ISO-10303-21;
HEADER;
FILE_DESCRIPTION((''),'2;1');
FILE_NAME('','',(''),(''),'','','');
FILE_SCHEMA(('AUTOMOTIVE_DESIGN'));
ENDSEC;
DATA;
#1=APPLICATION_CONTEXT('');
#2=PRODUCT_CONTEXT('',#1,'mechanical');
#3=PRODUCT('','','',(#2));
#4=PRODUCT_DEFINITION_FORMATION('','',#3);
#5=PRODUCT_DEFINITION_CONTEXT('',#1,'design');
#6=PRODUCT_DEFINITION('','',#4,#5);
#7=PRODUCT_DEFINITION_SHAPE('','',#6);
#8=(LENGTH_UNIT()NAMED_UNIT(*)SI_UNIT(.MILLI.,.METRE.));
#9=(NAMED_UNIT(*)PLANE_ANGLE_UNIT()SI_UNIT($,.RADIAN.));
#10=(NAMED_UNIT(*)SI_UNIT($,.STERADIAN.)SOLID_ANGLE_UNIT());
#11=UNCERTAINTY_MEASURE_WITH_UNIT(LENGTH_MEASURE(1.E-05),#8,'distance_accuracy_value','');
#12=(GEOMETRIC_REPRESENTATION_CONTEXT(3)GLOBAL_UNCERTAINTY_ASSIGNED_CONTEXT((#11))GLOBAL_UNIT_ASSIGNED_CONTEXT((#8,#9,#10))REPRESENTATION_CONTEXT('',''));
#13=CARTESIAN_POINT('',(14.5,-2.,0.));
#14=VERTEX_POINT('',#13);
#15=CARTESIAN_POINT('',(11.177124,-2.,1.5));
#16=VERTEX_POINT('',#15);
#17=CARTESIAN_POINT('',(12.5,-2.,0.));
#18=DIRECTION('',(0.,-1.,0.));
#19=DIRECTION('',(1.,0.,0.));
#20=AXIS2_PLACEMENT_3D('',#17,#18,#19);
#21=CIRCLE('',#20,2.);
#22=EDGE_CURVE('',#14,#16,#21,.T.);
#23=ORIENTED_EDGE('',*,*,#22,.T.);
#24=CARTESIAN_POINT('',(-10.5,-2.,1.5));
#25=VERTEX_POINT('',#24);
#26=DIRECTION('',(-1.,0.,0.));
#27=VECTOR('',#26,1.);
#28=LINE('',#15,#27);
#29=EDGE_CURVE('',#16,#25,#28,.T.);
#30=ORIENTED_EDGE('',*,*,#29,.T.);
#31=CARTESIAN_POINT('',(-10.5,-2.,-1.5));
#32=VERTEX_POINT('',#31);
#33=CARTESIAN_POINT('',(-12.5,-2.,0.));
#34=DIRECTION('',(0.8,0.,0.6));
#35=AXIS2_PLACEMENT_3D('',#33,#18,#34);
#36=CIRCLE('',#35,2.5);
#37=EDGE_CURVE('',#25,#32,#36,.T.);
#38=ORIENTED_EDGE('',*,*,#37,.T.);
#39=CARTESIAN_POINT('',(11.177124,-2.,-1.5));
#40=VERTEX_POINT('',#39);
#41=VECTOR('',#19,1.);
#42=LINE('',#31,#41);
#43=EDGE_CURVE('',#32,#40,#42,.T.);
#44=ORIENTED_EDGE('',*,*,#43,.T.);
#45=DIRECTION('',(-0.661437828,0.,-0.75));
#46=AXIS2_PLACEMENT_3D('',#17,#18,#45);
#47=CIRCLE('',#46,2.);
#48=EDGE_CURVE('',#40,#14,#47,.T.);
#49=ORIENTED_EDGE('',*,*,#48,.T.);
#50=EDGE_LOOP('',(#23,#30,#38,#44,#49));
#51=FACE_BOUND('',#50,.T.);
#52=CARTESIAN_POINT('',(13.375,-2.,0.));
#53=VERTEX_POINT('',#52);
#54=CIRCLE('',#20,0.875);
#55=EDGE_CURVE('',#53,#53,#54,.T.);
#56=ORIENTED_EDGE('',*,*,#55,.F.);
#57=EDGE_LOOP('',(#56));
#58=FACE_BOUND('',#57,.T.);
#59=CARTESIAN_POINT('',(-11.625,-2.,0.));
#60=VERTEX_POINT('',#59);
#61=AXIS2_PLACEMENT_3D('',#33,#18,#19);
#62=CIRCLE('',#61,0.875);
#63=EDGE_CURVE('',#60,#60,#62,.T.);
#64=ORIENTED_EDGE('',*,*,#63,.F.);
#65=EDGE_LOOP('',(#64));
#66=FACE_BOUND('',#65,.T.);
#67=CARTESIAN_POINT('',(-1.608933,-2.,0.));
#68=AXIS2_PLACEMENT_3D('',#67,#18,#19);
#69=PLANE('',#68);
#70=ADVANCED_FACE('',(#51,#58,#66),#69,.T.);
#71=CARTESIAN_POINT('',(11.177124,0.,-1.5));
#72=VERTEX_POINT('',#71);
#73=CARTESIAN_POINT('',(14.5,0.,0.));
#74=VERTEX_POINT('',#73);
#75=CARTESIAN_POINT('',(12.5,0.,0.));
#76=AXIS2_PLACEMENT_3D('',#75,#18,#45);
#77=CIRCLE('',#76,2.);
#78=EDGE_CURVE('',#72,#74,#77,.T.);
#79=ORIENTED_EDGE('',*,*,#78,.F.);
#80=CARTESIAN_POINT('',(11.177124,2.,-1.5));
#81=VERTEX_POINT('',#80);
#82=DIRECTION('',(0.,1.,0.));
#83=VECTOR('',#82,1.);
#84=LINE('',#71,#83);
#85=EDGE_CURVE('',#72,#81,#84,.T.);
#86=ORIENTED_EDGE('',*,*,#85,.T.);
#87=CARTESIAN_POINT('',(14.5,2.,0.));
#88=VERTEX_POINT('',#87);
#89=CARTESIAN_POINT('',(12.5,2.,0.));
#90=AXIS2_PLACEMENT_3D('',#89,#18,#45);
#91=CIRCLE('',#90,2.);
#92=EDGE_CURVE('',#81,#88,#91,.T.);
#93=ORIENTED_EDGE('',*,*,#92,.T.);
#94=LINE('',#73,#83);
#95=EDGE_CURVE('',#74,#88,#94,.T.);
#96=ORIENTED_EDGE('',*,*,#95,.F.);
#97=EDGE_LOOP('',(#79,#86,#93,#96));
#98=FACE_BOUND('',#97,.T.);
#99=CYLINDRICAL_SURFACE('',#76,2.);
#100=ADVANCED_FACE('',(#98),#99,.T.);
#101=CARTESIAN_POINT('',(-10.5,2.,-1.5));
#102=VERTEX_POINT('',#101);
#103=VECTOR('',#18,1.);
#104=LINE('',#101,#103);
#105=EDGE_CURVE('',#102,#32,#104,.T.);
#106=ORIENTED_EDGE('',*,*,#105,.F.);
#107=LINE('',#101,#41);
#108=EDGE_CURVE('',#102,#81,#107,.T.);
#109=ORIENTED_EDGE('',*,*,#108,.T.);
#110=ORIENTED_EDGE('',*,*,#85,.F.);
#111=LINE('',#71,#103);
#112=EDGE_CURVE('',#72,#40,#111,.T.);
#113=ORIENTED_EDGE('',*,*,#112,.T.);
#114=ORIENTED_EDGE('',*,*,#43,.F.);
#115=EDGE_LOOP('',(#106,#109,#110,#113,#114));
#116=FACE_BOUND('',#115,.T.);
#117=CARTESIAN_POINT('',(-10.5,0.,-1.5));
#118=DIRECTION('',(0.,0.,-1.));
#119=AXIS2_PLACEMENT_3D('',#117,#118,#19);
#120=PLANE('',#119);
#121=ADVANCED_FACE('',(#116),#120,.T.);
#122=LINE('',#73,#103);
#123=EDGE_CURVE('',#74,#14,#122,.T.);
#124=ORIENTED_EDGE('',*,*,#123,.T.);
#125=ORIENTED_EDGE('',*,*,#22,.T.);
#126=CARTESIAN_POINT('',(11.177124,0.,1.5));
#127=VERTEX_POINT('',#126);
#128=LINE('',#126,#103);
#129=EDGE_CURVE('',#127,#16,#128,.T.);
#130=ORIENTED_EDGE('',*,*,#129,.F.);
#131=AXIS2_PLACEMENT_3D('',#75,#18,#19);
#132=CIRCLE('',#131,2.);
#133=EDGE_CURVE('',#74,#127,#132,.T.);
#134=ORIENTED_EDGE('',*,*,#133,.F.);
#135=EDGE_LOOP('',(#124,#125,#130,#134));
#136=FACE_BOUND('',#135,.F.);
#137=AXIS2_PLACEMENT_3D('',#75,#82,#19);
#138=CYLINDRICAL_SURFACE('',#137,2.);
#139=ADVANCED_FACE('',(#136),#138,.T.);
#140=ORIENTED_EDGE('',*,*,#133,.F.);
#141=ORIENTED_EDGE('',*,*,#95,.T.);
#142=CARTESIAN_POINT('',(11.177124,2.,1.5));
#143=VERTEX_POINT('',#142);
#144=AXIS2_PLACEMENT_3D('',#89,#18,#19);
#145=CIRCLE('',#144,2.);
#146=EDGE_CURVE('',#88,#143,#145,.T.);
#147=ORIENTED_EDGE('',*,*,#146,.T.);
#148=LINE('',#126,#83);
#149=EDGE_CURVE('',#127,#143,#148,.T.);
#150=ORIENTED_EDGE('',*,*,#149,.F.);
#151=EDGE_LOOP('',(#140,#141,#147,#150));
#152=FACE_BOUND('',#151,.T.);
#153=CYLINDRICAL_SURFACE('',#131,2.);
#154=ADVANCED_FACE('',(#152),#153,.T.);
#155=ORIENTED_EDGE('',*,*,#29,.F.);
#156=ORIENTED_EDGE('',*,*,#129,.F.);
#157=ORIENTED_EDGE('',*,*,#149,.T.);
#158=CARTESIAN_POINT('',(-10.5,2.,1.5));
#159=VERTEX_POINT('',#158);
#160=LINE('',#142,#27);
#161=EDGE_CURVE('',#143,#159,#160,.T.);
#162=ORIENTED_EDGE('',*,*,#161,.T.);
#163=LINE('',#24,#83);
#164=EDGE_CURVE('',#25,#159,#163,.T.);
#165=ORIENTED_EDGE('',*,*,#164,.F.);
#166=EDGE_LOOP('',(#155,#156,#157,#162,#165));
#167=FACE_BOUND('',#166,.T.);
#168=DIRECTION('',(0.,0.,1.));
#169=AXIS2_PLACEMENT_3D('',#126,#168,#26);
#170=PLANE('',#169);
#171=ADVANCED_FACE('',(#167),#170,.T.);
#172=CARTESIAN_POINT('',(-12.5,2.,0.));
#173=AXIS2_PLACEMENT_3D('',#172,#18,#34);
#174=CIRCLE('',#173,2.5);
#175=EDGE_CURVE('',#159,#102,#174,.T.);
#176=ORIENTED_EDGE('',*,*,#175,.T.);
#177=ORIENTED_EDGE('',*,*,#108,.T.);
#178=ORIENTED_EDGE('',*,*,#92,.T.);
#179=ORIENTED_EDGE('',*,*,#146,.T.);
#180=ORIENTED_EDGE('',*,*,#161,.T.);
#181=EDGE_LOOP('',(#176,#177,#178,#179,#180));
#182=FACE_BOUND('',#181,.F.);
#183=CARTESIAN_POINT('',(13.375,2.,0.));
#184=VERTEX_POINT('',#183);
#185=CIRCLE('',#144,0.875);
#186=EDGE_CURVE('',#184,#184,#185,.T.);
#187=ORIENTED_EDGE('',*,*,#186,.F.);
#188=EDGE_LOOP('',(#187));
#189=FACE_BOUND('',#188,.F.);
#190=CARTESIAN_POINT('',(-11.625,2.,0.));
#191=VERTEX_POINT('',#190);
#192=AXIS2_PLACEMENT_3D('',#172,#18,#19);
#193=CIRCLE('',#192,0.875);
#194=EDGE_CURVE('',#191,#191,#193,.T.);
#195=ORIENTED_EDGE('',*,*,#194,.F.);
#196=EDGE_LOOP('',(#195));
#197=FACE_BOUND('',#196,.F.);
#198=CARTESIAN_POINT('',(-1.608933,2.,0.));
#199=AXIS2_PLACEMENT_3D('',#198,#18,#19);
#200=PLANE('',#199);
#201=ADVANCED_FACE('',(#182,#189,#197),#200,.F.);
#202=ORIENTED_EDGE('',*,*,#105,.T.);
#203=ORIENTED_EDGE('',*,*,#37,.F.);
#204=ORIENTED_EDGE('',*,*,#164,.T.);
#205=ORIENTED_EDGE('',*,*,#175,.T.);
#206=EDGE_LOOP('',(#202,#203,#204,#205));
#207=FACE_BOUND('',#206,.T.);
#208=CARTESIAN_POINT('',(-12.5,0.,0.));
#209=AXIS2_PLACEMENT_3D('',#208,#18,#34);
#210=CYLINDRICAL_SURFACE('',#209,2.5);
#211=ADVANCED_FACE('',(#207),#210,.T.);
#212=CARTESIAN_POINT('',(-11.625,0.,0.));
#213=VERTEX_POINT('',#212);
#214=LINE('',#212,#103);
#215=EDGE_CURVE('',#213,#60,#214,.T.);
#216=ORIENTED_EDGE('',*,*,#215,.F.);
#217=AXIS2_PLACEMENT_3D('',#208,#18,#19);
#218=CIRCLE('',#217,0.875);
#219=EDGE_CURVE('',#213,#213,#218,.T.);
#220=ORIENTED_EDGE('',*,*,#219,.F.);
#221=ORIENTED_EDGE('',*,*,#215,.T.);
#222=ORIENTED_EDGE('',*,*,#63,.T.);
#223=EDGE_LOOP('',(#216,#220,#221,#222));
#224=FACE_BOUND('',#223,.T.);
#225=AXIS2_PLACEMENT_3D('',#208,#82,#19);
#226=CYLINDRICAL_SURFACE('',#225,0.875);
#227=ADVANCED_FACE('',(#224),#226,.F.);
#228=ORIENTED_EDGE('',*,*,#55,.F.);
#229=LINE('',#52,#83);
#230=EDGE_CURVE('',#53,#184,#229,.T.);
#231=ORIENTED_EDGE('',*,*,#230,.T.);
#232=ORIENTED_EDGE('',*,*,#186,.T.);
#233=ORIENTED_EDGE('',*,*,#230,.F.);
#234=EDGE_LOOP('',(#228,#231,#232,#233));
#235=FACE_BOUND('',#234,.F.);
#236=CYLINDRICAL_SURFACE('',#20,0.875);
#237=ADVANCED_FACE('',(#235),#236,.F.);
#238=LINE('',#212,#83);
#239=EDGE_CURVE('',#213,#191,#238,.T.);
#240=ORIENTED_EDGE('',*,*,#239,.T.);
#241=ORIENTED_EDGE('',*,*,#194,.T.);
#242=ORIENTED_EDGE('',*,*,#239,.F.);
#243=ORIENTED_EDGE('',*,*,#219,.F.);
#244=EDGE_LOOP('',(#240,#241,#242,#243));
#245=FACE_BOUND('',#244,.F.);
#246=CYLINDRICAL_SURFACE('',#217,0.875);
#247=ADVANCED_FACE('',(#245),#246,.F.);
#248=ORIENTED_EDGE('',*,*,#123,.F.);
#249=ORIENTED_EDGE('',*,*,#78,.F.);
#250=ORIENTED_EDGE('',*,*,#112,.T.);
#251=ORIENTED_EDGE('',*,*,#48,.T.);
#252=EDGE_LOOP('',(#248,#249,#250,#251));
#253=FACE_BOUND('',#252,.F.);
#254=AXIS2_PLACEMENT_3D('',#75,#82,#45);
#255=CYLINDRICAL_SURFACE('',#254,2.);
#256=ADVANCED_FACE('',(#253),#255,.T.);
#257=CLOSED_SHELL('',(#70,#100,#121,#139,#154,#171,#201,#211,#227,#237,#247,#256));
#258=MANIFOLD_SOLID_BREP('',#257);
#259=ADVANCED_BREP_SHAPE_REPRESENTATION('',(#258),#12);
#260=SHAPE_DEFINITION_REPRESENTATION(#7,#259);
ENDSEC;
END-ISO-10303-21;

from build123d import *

# Parameters (mm, degrees)
F0_R     = 0.875
F1_DEPTH = 2
F2_R     = 0.875
F3_DEPTH = 4.001


with BuildPart() as f1:
    # F0 (on Front) → F1 (new body, symmetric)
    with BuildSketch(Plane.XZ):
        with BuildLine():
            ThreePointArc((-10.5, 1.5), (-15, 0), (-10.5, -1.5))
            Line((-10.5, -1.5), (11.1771243445, -1.5))
            ThreePointArc((11.1771243445, -1.5), (10.5, 0), (11.1771243445, 1.5))
            Line((11.1771243445, 1.5), (-10.5, 1.5))
        make_face()
        with Locations((-12.5, 0)):
            Circle(F0_R, mode=Mode.SUBTRACT)
        with BuildLine():
            Line((11.1771243445, 1.5), (11.1771243445, -1.5))
            ThreePointArc((11.1771243445, -1.5), (13.3228756555, -1.8228756555), (14.5, 0))
            ThreePointArc((14.5, 0), (13.3228756555, 1.8228756555), (11.1771243445, 1.5))
        make_face()
        with BuildLine():
            ThreePointArc((11.1771243445, 1.5), (10.5, 0), (11.1771243445, -1.5))
            Line((11.1771243445, -1.5), (11.1771243445, 1.5))
        make_face()
    extrude(amount=F1_DEPTH, both=True)

    # F2 (on face) → F3 (cut, through all)
    with BuildSketch(Plane.XZ.offset(2)):
        with Locations((12.5, 0)):
            Circle(F2_R)
    extrude(amount=-F3_DEPTH, mode=Mode.SUBTRACT)


solid = f1.part
